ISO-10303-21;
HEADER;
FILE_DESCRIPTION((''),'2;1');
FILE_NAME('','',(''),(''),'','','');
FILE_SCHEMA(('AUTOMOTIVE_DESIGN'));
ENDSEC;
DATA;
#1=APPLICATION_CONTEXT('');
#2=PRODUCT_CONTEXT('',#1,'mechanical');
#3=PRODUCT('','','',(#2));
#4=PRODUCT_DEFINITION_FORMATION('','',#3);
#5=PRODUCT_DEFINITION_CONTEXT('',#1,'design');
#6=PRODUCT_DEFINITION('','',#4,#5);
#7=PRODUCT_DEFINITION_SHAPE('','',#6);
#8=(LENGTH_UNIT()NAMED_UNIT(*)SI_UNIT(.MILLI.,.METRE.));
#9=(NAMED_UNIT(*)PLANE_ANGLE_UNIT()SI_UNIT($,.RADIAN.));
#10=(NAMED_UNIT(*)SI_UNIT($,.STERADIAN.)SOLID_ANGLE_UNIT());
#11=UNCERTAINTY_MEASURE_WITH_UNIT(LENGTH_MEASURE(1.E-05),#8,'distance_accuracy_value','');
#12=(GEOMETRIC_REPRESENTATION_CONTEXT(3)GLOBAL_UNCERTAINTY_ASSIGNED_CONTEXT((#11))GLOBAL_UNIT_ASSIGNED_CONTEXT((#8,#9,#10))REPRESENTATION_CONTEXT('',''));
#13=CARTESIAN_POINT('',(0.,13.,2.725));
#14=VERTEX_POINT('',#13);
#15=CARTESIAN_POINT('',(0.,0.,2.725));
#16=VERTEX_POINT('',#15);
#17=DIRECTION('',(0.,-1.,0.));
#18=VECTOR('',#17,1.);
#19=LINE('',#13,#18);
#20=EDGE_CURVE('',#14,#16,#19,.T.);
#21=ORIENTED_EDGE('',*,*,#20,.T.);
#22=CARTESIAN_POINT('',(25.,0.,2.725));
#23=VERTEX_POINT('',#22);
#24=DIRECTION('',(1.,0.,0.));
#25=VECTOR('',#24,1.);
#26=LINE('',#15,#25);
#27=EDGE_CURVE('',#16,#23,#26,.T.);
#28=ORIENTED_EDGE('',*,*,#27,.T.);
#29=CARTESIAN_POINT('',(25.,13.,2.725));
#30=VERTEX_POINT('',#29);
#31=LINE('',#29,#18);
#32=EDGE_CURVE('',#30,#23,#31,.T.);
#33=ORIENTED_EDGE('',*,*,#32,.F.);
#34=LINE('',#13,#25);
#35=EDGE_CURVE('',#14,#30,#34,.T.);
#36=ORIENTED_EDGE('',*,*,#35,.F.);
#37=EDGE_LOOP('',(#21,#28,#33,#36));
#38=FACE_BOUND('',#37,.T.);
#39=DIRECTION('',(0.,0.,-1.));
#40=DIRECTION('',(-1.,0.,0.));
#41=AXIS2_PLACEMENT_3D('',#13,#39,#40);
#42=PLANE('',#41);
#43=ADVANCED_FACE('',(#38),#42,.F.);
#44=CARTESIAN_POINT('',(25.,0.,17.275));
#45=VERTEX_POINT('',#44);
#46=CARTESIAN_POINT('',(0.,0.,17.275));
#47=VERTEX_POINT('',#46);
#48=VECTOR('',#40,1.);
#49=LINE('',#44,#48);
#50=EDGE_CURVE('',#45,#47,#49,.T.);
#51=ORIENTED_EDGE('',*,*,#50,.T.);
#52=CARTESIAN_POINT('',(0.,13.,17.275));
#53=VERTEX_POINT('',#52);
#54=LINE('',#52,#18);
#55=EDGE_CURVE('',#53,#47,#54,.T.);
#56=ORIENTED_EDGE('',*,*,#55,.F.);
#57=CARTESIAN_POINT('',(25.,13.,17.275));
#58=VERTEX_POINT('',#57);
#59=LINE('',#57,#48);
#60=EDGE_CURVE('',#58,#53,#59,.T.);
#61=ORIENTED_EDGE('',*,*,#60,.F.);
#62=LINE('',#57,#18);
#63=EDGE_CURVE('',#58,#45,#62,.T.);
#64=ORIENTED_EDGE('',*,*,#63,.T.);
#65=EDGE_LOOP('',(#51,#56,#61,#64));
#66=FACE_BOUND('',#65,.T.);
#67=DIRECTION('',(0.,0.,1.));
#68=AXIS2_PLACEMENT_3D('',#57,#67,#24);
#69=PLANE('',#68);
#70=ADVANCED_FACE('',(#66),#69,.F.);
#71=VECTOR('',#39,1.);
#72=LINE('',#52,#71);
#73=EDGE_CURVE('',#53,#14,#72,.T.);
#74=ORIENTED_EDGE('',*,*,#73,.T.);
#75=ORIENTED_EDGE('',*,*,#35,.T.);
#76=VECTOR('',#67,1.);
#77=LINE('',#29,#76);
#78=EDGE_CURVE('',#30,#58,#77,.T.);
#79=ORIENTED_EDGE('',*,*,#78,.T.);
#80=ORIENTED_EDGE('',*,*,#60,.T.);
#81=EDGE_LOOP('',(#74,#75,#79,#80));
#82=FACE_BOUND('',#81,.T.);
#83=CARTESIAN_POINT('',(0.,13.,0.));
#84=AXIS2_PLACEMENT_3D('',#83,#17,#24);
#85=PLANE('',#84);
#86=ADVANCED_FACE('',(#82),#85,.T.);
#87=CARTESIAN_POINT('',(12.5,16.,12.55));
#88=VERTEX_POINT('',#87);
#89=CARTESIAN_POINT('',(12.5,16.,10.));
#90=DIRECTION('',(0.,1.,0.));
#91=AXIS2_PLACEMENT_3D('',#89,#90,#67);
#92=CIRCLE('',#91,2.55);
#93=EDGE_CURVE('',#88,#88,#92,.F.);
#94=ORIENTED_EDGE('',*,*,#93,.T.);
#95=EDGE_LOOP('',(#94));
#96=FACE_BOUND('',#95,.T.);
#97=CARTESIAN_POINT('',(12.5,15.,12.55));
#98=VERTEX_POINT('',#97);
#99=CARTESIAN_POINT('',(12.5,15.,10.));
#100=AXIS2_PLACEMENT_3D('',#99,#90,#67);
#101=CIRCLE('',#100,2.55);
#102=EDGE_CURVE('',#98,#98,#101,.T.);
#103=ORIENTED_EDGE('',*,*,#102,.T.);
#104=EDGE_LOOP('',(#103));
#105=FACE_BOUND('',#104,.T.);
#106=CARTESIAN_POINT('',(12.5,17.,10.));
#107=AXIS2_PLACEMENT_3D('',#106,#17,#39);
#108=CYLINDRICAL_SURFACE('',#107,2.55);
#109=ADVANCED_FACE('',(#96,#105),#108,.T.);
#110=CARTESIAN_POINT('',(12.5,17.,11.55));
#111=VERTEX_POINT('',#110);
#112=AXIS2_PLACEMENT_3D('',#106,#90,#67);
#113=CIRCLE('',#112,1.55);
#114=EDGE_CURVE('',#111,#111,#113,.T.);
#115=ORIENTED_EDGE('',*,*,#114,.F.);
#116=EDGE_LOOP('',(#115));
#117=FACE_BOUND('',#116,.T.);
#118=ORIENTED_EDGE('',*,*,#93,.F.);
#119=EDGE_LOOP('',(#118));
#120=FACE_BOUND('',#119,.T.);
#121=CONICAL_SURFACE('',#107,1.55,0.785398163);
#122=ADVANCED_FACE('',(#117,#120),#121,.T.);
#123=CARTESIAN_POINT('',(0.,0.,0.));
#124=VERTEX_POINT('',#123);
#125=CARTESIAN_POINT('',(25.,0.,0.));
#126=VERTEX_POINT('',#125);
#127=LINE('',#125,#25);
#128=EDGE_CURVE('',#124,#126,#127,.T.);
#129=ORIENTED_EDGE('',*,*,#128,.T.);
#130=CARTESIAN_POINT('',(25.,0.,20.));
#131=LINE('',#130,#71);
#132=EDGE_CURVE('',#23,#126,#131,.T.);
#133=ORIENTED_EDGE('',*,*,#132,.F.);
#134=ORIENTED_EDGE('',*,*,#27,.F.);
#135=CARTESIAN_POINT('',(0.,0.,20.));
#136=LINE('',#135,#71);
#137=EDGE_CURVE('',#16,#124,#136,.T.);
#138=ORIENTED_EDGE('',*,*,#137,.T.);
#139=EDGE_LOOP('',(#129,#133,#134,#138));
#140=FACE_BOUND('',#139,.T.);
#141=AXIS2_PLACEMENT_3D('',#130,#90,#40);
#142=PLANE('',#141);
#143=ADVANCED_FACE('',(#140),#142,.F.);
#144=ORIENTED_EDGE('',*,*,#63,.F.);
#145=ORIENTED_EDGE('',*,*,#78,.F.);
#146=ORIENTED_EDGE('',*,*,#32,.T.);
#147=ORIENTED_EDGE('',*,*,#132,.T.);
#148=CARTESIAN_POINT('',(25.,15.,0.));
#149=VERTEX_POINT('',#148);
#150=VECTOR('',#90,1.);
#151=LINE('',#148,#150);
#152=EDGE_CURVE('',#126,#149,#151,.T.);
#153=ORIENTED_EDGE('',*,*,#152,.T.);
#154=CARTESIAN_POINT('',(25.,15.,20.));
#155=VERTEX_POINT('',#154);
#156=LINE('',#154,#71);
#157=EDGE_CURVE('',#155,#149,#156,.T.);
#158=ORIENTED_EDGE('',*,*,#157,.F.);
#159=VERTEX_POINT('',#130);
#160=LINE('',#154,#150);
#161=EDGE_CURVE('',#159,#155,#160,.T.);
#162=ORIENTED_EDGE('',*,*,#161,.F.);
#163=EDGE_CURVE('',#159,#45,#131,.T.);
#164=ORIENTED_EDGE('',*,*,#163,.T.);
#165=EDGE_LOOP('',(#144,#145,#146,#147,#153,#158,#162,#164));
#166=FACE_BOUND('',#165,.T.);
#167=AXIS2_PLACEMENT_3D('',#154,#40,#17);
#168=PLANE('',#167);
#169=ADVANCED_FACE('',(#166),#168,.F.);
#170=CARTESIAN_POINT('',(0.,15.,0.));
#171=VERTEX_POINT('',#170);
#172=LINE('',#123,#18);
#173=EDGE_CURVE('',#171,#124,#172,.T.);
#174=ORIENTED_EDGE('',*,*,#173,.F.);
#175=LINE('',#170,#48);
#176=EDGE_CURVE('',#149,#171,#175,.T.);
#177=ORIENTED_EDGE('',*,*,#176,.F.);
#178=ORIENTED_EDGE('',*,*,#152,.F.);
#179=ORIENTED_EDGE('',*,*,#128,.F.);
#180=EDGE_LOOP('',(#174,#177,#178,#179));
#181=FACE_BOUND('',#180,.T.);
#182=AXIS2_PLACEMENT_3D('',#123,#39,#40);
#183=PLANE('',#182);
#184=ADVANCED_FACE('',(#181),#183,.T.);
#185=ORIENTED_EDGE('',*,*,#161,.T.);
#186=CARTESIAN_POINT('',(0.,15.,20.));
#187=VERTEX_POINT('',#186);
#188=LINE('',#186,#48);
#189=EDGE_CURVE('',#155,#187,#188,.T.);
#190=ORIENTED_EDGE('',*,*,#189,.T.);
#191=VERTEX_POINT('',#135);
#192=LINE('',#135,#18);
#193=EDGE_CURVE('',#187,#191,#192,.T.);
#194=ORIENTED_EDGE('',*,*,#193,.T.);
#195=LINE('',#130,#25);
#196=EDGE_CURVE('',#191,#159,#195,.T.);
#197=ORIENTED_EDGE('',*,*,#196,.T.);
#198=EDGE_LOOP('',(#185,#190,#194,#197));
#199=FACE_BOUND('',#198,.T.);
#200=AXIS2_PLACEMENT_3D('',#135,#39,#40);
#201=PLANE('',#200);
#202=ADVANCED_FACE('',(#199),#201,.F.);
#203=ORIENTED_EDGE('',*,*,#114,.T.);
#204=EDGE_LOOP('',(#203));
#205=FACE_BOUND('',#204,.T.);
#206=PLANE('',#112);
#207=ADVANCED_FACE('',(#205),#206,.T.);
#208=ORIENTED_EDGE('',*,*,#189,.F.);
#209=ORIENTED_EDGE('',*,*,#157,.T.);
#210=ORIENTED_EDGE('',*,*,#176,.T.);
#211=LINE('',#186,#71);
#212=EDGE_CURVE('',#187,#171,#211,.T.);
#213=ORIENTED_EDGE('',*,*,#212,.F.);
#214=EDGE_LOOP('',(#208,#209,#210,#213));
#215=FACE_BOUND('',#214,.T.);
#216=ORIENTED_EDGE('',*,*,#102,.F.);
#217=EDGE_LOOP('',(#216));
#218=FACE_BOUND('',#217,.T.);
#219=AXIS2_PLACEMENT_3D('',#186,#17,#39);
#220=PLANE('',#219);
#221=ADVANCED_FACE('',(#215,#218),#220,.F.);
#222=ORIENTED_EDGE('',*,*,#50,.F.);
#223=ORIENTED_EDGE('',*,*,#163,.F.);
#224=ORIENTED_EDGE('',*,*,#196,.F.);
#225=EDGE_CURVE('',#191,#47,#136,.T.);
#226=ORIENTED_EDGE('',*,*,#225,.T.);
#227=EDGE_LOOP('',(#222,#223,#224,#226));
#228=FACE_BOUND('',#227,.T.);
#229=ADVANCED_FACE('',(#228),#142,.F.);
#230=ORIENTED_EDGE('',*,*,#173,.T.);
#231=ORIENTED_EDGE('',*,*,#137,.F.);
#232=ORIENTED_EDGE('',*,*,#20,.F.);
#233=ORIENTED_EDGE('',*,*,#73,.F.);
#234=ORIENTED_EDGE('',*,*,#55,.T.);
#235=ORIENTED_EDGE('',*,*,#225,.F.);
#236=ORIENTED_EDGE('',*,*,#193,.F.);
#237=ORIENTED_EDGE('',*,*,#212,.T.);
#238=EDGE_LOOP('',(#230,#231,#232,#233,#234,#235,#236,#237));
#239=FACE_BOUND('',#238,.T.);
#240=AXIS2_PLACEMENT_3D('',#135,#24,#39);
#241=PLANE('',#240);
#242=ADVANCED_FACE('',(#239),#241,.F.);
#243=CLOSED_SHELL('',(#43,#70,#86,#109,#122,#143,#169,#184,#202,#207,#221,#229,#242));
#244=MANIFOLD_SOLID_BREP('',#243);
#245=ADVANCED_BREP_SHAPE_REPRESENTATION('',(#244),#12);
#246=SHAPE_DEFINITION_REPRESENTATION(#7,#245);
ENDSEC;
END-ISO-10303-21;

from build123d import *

# Parameters (mm, degrees)
SKETCH1_W           = 25
SKETCH1_H           = 15
BOSS_EXTRUDE1_DEPTH = 20
SKETCH2_W           = 25
SKETCH2_H           = 14.55
CUT_EXTRUDE1_DEPTH  = 13
SKETCH4_R           = 2.55
BOSS_EXTRUDE2_DEPTH = 2
CHAMFER1_SIZE       = 1


with BuildPart() as part:
    # Sketch1 → Boss-Extrude1 (new body)
    with BuildSketch(Plane.XY):
        with Locations((12.5, 7.5)):
            Rectangle(SKETCH1_W, SKETCH1_H)
    extrude(amount=BOSS_EXTRUDE1_DEPTH)

    # Sketch2 → Cut-Extrude1 (cut)
    with BuildSketch(Plane.XZ):
        with Locations((12.5, 10)):
            Rectangle(SKETCH2_W, SKETCH2_H)
    extrude(amount=-CUT_EXTRUDE1_DEPTH, mode=Mode.SUBTRACT)

    # Sketch4 → Boss-Extrude2 (add)
    with BuildSketch(Plane(origin=(0, 15, 0), x_dir=(1, 0, 0), z_dir=(0, 1, 0))):
        with Locations(Location((12.5, -10, 0), (0, 0, 270))):
            Circle(SKETCH4_R)
    extrude(amount=BOSS_EXTRUDE2_DEPTH)

    # Chamfer1
    chamfer1_edges = [part.edges().sort_by_distance(p)[0] for p in [
        (12.5, 17, 7.45),
    ]]
    chamfer(chamfer1_edges, length=CHAMFER1_SIZE)


solid = part.part
